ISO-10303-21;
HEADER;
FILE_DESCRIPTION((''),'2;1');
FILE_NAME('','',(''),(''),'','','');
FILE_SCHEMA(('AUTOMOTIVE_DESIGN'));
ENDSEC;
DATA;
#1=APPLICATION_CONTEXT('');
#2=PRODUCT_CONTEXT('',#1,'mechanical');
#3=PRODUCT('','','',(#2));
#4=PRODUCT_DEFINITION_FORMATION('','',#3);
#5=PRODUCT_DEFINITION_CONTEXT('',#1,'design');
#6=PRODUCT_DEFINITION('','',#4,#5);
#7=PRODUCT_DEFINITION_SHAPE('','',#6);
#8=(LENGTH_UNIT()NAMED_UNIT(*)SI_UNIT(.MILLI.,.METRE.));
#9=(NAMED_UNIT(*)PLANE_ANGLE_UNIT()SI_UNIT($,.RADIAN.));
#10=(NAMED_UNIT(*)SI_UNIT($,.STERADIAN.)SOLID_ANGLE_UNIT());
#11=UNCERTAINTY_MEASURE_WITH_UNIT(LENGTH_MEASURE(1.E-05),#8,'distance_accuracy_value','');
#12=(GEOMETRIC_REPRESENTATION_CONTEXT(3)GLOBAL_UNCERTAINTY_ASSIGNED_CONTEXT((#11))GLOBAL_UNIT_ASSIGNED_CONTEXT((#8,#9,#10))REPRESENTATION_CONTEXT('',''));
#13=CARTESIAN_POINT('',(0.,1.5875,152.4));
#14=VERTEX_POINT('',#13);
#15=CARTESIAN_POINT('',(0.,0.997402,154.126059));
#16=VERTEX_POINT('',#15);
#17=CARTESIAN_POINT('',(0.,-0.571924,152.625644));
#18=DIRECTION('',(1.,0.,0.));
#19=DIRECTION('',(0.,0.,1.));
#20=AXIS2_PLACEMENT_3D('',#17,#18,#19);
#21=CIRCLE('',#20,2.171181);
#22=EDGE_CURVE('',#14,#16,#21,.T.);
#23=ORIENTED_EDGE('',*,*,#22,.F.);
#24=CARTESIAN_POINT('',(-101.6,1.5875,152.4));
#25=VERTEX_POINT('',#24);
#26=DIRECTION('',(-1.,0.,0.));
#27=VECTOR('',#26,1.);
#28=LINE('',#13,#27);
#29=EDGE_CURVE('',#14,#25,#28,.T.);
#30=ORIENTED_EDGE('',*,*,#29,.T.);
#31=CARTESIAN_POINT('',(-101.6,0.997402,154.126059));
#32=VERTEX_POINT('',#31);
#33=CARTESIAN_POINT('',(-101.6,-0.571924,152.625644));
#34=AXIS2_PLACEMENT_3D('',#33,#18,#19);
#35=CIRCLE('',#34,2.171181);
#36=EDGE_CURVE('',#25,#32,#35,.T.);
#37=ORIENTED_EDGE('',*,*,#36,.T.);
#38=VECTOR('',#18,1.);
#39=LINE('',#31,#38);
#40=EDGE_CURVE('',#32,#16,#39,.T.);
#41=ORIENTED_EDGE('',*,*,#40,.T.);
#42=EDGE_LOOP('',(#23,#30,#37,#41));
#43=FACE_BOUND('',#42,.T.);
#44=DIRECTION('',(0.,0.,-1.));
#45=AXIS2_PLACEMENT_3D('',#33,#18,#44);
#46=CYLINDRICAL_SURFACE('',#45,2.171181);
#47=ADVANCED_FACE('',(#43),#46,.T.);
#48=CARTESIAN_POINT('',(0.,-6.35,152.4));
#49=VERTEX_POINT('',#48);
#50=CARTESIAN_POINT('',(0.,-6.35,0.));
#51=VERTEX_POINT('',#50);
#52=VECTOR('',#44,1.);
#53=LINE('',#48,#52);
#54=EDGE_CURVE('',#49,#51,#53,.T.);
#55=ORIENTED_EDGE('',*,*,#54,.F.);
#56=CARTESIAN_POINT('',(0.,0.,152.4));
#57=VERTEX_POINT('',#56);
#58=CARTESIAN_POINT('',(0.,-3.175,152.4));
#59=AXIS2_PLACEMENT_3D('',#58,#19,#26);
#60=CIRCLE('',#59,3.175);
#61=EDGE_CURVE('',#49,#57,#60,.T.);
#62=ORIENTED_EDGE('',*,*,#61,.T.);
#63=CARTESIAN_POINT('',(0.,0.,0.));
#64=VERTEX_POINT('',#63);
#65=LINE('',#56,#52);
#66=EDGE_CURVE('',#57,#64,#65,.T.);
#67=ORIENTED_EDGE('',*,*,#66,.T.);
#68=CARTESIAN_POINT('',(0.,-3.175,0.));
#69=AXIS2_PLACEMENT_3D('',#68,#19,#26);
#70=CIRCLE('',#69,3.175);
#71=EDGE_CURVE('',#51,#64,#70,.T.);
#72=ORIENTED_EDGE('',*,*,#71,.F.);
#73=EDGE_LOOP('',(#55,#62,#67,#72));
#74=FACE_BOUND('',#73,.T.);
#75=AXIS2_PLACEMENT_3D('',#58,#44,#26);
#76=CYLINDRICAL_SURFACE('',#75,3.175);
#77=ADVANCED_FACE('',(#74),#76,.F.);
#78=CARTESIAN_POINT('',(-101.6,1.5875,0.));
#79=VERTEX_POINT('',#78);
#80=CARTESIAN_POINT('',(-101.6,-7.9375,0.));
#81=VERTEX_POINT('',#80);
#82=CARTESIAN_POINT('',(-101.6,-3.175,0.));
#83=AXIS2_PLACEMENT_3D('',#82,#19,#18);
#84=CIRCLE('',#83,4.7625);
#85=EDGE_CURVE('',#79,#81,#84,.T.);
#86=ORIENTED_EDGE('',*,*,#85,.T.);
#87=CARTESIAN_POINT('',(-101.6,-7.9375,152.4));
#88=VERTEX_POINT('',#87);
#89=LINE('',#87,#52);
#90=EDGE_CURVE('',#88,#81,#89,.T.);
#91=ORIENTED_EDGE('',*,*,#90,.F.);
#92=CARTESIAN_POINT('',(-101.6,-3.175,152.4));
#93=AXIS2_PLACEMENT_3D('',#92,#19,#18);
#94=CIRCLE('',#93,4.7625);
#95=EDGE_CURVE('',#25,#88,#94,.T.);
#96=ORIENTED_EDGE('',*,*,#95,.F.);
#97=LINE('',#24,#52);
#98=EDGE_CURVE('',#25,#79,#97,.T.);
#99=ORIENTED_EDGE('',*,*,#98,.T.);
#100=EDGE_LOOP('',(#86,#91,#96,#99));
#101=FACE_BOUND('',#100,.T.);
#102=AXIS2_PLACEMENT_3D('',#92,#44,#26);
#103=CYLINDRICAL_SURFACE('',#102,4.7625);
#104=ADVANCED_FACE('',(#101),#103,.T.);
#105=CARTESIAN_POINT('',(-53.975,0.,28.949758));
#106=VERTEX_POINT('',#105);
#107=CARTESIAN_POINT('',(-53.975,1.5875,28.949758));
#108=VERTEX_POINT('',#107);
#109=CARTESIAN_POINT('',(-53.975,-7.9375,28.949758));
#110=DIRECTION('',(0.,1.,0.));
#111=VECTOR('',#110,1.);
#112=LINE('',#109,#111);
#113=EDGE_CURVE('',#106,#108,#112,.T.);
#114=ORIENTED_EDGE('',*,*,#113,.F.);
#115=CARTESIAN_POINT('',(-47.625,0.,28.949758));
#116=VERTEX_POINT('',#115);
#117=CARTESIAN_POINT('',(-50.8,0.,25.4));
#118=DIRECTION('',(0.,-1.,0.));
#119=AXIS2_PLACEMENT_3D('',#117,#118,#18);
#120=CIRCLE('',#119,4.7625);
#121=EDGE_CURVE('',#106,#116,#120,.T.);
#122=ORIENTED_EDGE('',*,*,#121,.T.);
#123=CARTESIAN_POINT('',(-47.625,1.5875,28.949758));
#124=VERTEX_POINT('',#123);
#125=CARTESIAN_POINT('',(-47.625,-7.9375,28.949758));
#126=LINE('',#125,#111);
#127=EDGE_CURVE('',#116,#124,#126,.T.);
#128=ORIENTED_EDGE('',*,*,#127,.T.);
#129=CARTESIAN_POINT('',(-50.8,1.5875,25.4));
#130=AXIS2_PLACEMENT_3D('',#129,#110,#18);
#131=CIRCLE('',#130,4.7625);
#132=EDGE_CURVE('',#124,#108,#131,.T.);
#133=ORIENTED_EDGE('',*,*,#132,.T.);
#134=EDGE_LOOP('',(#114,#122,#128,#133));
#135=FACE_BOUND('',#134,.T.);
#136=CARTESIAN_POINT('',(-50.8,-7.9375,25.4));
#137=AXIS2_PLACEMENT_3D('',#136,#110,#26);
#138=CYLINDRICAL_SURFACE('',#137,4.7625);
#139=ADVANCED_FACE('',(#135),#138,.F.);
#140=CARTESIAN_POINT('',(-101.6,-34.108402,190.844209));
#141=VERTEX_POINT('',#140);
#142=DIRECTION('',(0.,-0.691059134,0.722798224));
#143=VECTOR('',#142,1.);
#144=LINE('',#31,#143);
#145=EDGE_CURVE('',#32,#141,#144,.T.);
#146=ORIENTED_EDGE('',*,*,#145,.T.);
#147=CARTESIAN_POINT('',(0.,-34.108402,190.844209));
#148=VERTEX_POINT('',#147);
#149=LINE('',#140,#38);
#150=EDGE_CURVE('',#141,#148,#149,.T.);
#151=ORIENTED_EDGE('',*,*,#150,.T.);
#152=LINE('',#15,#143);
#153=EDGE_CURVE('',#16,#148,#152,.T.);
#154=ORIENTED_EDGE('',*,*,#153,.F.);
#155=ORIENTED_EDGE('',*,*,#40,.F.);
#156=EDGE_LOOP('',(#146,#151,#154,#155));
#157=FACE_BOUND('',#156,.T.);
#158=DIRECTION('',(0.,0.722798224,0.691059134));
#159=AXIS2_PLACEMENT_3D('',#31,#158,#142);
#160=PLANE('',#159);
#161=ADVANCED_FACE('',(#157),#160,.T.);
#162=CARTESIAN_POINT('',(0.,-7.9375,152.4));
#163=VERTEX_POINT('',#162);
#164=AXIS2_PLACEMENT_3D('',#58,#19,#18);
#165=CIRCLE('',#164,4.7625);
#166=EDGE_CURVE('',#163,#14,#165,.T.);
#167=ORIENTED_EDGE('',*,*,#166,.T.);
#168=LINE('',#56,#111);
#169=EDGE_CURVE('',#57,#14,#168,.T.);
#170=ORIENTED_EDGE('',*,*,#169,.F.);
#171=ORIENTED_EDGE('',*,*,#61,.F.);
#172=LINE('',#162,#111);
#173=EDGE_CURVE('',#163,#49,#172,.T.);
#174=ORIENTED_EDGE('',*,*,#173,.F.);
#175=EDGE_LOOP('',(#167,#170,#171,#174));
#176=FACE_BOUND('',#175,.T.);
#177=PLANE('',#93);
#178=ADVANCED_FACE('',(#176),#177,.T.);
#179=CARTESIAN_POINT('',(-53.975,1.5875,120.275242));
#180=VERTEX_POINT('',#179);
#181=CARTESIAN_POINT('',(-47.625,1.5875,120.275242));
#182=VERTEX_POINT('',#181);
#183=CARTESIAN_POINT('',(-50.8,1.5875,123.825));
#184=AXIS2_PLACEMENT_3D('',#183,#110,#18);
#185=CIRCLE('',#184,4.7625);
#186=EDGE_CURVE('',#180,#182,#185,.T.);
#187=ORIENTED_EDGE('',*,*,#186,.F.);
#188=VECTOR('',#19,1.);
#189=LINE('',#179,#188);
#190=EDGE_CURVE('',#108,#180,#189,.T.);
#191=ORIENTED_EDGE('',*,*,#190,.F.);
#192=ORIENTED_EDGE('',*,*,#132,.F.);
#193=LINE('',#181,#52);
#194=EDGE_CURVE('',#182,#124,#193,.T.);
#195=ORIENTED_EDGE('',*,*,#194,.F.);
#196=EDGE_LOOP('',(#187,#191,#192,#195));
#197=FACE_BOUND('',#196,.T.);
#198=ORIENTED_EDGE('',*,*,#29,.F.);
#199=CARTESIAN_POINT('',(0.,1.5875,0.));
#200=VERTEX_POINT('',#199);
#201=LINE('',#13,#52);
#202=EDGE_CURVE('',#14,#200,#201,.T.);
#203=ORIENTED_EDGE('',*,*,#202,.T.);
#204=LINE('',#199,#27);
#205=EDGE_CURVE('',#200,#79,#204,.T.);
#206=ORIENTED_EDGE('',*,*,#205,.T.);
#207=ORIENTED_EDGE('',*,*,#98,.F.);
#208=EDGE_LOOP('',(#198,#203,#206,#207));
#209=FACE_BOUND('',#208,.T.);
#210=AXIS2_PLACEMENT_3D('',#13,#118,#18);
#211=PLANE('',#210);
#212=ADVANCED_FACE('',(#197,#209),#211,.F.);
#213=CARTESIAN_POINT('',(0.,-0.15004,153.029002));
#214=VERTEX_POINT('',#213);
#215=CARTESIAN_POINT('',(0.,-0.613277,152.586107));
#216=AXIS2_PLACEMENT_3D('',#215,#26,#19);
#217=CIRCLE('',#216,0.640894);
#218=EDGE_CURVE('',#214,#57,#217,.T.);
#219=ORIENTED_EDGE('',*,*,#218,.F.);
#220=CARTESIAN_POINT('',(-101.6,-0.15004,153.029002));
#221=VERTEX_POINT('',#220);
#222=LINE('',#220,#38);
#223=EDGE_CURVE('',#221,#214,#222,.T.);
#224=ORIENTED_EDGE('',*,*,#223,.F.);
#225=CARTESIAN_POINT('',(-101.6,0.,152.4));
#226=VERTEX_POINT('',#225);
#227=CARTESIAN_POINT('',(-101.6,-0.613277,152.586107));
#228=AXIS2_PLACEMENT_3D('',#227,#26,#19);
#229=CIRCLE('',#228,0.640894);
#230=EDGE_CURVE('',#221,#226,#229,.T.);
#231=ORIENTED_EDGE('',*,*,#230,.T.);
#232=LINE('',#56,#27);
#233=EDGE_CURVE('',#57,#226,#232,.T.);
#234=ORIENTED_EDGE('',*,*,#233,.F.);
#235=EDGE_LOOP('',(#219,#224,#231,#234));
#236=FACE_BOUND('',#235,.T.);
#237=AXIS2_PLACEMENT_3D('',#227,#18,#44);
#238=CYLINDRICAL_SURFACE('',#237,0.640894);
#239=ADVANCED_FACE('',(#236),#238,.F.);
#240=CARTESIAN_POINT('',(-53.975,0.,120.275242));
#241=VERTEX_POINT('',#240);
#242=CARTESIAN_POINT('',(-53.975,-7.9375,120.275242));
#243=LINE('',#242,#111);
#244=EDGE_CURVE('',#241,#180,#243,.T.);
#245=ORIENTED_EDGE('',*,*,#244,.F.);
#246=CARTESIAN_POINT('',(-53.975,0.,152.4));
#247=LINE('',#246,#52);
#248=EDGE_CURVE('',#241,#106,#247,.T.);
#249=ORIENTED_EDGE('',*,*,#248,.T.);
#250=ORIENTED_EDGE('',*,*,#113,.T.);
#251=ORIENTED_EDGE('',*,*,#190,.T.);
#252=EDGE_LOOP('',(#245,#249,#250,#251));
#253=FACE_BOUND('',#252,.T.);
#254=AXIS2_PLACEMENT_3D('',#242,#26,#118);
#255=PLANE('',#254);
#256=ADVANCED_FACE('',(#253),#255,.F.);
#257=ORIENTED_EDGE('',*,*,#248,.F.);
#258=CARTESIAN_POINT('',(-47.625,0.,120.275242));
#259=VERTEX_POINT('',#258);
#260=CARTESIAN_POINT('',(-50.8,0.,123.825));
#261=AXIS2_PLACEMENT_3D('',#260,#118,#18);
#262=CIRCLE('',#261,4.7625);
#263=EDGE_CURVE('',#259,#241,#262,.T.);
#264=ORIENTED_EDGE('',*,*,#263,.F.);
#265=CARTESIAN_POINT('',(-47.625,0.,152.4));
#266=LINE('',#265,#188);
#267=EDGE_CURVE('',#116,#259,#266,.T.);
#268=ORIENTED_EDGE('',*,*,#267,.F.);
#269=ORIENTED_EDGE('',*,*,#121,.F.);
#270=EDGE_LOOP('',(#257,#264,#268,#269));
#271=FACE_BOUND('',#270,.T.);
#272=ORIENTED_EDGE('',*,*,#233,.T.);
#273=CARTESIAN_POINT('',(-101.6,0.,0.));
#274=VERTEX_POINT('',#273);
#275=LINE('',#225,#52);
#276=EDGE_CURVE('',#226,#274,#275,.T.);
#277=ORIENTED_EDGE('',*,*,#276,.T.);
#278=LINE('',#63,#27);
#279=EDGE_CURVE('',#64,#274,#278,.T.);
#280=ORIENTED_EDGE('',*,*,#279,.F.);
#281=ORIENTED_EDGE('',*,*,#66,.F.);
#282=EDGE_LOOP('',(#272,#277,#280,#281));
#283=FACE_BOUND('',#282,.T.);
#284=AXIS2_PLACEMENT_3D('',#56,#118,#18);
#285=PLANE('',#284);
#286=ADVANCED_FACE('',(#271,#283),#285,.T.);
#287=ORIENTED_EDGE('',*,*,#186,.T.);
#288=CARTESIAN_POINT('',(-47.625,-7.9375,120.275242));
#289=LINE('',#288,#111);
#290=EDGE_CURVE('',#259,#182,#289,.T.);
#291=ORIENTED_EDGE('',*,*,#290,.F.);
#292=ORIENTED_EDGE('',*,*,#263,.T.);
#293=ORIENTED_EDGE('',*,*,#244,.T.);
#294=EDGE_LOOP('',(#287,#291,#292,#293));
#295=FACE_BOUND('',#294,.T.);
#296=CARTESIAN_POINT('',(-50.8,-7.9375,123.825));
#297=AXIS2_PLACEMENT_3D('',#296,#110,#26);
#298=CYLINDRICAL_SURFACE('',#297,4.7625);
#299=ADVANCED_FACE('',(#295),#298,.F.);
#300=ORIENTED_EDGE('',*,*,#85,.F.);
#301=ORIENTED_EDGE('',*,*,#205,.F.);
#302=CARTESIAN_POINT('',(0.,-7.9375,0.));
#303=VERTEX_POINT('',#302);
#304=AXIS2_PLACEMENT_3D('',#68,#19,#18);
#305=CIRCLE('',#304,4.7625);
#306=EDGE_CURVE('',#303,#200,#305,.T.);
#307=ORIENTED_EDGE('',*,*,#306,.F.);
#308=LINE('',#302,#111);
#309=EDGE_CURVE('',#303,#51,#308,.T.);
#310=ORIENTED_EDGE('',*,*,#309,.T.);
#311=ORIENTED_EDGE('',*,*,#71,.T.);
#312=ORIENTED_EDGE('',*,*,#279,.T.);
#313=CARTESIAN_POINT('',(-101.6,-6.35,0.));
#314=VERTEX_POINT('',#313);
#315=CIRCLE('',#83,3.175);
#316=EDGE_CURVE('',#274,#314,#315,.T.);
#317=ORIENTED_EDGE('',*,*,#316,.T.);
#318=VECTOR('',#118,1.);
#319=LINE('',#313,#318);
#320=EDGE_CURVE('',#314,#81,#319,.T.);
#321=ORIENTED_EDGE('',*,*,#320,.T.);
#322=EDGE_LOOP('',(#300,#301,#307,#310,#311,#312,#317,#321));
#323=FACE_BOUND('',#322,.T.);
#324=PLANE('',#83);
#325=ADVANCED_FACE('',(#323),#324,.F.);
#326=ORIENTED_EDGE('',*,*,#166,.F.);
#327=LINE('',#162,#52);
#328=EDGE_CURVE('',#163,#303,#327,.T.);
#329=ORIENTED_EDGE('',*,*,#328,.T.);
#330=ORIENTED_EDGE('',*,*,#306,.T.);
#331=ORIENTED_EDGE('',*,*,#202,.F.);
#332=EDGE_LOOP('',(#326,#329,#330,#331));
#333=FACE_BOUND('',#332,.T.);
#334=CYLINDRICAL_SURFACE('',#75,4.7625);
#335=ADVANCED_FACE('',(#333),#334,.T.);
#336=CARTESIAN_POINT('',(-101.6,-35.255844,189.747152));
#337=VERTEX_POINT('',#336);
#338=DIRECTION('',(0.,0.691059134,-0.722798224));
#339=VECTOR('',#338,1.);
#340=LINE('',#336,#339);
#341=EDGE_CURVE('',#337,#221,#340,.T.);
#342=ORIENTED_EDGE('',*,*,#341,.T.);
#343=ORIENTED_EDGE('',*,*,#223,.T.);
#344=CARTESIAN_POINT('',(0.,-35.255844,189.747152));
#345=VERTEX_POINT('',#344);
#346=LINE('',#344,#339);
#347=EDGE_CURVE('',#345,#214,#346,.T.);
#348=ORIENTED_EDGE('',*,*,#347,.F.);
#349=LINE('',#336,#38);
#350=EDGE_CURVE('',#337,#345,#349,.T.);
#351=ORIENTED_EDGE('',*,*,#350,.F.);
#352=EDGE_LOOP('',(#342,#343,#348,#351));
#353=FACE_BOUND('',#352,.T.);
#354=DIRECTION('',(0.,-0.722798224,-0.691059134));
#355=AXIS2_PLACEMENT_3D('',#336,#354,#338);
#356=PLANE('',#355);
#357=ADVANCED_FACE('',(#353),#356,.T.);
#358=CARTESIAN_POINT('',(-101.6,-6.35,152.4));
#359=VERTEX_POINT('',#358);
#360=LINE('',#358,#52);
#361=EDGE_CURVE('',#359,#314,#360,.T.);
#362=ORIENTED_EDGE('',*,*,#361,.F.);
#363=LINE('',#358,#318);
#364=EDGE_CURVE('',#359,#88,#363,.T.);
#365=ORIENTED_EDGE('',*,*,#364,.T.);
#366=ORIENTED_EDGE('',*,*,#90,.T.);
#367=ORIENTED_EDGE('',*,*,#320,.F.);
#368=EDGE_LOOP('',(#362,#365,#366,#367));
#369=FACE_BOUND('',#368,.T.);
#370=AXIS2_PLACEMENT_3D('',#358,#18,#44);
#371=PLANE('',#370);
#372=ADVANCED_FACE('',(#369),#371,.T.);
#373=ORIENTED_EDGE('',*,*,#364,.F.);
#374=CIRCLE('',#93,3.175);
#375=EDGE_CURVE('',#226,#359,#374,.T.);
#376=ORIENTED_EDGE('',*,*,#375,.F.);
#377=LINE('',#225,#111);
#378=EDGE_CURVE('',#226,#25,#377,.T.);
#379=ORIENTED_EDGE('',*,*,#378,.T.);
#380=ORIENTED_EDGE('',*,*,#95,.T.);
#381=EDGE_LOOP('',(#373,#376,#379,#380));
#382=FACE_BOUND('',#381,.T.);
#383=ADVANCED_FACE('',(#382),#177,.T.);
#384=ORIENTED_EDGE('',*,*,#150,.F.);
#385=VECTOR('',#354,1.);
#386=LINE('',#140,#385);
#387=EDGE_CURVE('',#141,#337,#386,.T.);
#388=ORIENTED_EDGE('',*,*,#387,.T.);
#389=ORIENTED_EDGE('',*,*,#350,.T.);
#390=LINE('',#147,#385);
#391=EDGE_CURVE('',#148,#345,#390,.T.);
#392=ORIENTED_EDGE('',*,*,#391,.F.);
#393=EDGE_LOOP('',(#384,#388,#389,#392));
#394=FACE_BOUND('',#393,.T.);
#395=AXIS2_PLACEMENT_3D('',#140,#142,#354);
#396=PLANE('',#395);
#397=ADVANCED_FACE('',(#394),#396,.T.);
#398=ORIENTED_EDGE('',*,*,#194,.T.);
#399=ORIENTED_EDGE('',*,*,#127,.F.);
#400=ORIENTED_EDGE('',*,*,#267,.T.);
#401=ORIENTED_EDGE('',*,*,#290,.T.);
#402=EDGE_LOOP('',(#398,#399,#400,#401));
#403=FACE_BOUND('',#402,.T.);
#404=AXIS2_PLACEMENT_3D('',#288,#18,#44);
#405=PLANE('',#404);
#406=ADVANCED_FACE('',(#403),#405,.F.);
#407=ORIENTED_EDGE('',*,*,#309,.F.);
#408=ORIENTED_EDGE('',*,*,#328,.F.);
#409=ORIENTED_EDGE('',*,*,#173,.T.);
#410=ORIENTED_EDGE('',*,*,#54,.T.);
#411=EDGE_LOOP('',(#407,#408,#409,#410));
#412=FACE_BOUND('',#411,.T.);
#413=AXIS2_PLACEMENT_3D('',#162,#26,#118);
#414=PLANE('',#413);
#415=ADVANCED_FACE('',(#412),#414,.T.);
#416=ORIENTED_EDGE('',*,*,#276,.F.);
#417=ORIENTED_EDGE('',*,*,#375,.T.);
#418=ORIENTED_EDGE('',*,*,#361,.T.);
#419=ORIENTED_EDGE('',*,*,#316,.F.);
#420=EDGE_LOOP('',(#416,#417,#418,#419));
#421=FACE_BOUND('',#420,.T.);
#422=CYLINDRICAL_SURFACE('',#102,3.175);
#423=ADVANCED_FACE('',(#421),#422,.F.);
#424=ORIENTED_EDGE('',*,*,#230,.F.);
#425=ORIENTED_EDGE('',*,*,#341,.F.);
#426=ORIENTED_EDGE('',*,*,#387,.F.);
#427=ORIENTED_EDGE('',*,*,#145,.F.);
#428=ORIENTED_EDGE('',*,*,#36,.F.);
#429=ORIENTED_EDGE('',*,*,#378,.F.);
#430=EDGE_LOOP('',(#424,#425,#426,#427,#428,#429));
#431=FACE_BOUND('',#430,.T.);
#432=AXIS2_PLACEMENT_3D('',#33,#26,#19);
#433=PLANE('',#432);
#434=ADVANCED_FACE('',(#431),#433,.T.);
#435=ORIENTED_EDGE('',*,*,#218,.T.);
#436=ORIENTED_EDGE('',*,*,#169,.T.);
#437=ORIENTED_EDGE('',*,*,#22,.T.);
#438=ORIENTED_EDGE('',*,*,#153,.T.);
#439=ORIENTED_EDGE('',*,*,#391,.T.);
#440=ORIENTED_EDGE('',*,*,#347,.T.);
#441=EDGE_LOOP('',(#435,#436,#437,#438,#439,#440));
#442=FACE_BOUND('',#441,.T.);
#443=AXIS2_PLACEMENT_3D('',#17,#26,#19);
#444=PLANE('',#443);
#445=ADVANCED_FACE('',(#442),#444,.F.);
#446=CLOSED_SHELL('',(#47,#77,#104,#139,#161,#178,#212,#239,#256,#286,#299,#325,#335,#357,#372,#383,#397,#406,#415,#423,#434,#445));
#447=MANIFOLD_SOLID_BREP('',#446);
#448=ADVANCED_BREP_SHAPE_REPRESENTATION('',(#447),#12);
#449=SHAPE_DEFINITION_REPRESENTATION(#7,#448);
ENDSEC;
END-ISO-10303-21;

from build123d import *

# Parameters (mm, degrees)
EXTRUDE_THIN1_DEPTH = 152.4
CUT_EXTRUDE1_DEPTH  = 187.089943391
BOSS_EXTRUDE1_DEPTH = 101.6


with BuildPart() as part:
    # Sketch1 → Extrude-Thin1 (new body)
    with BuildSketch(Plane.XY):
        with BuildLine():
            ThreePointArc((0, -6.35), (3.175, -3.175), (0, 0))
            Line((0, 0), (-101.6, 0))
            ThreePointArc((-101.6, 0), (-104.775, -3.175), (-101.6, -6.35))
            Line((-101.6, -6.35), (-101.6, -7.9375))
            ThreePointArc((-101.6, -7.9375), (-106.3625, -3.175), (-101.6, 1.5875))
            Line((-101.6, 1.5875), (0, 1.5875))
            ThreePointArc((0, 1.5875), (4.7625, -3.175), (0, -7.9375))
            Line((0, -7.9375), (0, -6.35))
        make_face()
    extrude(amount=EXTRUDE_THIN1_DEPTH)

    # Sketch3 → Cut-Extrude1 (cut, through all)
    with BuildSketch(Plane(origin=(0, 1.5875, 0), x_dir=(1, 0, 0), z_dir=(0, 1, 0))):
        with BuildLine():
            Line((-53.975, -120.275242086), (-53.975, -28.949757914))
            ThreePointArc((-53.975, -28.949757914), (-50.8, -20.6375), (-47.625, -28.949757914))
            Line((-47.625, -28.949757914), (-47.625, -120.275242086))
            ThreePointArc((-47.625, -120.275242086), (-50.8, -128.5875), (-53.975, -120.275242086))
        make_face()
    extrude(amount=-CUT_EXTRUDE1_DEPTH, mode=Mode.SUBTRACT)

    # Sketch4 → Boss-Extrude1 (add)
    with BuildSketch(Plane(origin=(0, 0, 0), x_dir=(0, 0, -1), z_dir=(1, 0, 0))):
        with BuildLine():
            Line((-154.126058809, 0.997401867), (-190.844208608, -34.108402144))
            Line((-190.844208608, -34.108402144), (-189.747152233, -35.255844326))
            Line((-189.747152233, -35.255844326), (-153.029002434, -0.150040314))
            ThreePointArc((-153.029002434, -0.150040314), (-152.734811746, 0.010126107), (-152.4, 0))
            Line((-152.4, 0), (-152.4, 1.5875))
            ThreePointArc((-152.4, 1.5875), (-153.32800726, 1.482513557), (-154.126058809, 0.997401867))
        make_face()
    extrude(amount=-BOSS_EXTRUDE1_DEPTH)


solid = part.part
